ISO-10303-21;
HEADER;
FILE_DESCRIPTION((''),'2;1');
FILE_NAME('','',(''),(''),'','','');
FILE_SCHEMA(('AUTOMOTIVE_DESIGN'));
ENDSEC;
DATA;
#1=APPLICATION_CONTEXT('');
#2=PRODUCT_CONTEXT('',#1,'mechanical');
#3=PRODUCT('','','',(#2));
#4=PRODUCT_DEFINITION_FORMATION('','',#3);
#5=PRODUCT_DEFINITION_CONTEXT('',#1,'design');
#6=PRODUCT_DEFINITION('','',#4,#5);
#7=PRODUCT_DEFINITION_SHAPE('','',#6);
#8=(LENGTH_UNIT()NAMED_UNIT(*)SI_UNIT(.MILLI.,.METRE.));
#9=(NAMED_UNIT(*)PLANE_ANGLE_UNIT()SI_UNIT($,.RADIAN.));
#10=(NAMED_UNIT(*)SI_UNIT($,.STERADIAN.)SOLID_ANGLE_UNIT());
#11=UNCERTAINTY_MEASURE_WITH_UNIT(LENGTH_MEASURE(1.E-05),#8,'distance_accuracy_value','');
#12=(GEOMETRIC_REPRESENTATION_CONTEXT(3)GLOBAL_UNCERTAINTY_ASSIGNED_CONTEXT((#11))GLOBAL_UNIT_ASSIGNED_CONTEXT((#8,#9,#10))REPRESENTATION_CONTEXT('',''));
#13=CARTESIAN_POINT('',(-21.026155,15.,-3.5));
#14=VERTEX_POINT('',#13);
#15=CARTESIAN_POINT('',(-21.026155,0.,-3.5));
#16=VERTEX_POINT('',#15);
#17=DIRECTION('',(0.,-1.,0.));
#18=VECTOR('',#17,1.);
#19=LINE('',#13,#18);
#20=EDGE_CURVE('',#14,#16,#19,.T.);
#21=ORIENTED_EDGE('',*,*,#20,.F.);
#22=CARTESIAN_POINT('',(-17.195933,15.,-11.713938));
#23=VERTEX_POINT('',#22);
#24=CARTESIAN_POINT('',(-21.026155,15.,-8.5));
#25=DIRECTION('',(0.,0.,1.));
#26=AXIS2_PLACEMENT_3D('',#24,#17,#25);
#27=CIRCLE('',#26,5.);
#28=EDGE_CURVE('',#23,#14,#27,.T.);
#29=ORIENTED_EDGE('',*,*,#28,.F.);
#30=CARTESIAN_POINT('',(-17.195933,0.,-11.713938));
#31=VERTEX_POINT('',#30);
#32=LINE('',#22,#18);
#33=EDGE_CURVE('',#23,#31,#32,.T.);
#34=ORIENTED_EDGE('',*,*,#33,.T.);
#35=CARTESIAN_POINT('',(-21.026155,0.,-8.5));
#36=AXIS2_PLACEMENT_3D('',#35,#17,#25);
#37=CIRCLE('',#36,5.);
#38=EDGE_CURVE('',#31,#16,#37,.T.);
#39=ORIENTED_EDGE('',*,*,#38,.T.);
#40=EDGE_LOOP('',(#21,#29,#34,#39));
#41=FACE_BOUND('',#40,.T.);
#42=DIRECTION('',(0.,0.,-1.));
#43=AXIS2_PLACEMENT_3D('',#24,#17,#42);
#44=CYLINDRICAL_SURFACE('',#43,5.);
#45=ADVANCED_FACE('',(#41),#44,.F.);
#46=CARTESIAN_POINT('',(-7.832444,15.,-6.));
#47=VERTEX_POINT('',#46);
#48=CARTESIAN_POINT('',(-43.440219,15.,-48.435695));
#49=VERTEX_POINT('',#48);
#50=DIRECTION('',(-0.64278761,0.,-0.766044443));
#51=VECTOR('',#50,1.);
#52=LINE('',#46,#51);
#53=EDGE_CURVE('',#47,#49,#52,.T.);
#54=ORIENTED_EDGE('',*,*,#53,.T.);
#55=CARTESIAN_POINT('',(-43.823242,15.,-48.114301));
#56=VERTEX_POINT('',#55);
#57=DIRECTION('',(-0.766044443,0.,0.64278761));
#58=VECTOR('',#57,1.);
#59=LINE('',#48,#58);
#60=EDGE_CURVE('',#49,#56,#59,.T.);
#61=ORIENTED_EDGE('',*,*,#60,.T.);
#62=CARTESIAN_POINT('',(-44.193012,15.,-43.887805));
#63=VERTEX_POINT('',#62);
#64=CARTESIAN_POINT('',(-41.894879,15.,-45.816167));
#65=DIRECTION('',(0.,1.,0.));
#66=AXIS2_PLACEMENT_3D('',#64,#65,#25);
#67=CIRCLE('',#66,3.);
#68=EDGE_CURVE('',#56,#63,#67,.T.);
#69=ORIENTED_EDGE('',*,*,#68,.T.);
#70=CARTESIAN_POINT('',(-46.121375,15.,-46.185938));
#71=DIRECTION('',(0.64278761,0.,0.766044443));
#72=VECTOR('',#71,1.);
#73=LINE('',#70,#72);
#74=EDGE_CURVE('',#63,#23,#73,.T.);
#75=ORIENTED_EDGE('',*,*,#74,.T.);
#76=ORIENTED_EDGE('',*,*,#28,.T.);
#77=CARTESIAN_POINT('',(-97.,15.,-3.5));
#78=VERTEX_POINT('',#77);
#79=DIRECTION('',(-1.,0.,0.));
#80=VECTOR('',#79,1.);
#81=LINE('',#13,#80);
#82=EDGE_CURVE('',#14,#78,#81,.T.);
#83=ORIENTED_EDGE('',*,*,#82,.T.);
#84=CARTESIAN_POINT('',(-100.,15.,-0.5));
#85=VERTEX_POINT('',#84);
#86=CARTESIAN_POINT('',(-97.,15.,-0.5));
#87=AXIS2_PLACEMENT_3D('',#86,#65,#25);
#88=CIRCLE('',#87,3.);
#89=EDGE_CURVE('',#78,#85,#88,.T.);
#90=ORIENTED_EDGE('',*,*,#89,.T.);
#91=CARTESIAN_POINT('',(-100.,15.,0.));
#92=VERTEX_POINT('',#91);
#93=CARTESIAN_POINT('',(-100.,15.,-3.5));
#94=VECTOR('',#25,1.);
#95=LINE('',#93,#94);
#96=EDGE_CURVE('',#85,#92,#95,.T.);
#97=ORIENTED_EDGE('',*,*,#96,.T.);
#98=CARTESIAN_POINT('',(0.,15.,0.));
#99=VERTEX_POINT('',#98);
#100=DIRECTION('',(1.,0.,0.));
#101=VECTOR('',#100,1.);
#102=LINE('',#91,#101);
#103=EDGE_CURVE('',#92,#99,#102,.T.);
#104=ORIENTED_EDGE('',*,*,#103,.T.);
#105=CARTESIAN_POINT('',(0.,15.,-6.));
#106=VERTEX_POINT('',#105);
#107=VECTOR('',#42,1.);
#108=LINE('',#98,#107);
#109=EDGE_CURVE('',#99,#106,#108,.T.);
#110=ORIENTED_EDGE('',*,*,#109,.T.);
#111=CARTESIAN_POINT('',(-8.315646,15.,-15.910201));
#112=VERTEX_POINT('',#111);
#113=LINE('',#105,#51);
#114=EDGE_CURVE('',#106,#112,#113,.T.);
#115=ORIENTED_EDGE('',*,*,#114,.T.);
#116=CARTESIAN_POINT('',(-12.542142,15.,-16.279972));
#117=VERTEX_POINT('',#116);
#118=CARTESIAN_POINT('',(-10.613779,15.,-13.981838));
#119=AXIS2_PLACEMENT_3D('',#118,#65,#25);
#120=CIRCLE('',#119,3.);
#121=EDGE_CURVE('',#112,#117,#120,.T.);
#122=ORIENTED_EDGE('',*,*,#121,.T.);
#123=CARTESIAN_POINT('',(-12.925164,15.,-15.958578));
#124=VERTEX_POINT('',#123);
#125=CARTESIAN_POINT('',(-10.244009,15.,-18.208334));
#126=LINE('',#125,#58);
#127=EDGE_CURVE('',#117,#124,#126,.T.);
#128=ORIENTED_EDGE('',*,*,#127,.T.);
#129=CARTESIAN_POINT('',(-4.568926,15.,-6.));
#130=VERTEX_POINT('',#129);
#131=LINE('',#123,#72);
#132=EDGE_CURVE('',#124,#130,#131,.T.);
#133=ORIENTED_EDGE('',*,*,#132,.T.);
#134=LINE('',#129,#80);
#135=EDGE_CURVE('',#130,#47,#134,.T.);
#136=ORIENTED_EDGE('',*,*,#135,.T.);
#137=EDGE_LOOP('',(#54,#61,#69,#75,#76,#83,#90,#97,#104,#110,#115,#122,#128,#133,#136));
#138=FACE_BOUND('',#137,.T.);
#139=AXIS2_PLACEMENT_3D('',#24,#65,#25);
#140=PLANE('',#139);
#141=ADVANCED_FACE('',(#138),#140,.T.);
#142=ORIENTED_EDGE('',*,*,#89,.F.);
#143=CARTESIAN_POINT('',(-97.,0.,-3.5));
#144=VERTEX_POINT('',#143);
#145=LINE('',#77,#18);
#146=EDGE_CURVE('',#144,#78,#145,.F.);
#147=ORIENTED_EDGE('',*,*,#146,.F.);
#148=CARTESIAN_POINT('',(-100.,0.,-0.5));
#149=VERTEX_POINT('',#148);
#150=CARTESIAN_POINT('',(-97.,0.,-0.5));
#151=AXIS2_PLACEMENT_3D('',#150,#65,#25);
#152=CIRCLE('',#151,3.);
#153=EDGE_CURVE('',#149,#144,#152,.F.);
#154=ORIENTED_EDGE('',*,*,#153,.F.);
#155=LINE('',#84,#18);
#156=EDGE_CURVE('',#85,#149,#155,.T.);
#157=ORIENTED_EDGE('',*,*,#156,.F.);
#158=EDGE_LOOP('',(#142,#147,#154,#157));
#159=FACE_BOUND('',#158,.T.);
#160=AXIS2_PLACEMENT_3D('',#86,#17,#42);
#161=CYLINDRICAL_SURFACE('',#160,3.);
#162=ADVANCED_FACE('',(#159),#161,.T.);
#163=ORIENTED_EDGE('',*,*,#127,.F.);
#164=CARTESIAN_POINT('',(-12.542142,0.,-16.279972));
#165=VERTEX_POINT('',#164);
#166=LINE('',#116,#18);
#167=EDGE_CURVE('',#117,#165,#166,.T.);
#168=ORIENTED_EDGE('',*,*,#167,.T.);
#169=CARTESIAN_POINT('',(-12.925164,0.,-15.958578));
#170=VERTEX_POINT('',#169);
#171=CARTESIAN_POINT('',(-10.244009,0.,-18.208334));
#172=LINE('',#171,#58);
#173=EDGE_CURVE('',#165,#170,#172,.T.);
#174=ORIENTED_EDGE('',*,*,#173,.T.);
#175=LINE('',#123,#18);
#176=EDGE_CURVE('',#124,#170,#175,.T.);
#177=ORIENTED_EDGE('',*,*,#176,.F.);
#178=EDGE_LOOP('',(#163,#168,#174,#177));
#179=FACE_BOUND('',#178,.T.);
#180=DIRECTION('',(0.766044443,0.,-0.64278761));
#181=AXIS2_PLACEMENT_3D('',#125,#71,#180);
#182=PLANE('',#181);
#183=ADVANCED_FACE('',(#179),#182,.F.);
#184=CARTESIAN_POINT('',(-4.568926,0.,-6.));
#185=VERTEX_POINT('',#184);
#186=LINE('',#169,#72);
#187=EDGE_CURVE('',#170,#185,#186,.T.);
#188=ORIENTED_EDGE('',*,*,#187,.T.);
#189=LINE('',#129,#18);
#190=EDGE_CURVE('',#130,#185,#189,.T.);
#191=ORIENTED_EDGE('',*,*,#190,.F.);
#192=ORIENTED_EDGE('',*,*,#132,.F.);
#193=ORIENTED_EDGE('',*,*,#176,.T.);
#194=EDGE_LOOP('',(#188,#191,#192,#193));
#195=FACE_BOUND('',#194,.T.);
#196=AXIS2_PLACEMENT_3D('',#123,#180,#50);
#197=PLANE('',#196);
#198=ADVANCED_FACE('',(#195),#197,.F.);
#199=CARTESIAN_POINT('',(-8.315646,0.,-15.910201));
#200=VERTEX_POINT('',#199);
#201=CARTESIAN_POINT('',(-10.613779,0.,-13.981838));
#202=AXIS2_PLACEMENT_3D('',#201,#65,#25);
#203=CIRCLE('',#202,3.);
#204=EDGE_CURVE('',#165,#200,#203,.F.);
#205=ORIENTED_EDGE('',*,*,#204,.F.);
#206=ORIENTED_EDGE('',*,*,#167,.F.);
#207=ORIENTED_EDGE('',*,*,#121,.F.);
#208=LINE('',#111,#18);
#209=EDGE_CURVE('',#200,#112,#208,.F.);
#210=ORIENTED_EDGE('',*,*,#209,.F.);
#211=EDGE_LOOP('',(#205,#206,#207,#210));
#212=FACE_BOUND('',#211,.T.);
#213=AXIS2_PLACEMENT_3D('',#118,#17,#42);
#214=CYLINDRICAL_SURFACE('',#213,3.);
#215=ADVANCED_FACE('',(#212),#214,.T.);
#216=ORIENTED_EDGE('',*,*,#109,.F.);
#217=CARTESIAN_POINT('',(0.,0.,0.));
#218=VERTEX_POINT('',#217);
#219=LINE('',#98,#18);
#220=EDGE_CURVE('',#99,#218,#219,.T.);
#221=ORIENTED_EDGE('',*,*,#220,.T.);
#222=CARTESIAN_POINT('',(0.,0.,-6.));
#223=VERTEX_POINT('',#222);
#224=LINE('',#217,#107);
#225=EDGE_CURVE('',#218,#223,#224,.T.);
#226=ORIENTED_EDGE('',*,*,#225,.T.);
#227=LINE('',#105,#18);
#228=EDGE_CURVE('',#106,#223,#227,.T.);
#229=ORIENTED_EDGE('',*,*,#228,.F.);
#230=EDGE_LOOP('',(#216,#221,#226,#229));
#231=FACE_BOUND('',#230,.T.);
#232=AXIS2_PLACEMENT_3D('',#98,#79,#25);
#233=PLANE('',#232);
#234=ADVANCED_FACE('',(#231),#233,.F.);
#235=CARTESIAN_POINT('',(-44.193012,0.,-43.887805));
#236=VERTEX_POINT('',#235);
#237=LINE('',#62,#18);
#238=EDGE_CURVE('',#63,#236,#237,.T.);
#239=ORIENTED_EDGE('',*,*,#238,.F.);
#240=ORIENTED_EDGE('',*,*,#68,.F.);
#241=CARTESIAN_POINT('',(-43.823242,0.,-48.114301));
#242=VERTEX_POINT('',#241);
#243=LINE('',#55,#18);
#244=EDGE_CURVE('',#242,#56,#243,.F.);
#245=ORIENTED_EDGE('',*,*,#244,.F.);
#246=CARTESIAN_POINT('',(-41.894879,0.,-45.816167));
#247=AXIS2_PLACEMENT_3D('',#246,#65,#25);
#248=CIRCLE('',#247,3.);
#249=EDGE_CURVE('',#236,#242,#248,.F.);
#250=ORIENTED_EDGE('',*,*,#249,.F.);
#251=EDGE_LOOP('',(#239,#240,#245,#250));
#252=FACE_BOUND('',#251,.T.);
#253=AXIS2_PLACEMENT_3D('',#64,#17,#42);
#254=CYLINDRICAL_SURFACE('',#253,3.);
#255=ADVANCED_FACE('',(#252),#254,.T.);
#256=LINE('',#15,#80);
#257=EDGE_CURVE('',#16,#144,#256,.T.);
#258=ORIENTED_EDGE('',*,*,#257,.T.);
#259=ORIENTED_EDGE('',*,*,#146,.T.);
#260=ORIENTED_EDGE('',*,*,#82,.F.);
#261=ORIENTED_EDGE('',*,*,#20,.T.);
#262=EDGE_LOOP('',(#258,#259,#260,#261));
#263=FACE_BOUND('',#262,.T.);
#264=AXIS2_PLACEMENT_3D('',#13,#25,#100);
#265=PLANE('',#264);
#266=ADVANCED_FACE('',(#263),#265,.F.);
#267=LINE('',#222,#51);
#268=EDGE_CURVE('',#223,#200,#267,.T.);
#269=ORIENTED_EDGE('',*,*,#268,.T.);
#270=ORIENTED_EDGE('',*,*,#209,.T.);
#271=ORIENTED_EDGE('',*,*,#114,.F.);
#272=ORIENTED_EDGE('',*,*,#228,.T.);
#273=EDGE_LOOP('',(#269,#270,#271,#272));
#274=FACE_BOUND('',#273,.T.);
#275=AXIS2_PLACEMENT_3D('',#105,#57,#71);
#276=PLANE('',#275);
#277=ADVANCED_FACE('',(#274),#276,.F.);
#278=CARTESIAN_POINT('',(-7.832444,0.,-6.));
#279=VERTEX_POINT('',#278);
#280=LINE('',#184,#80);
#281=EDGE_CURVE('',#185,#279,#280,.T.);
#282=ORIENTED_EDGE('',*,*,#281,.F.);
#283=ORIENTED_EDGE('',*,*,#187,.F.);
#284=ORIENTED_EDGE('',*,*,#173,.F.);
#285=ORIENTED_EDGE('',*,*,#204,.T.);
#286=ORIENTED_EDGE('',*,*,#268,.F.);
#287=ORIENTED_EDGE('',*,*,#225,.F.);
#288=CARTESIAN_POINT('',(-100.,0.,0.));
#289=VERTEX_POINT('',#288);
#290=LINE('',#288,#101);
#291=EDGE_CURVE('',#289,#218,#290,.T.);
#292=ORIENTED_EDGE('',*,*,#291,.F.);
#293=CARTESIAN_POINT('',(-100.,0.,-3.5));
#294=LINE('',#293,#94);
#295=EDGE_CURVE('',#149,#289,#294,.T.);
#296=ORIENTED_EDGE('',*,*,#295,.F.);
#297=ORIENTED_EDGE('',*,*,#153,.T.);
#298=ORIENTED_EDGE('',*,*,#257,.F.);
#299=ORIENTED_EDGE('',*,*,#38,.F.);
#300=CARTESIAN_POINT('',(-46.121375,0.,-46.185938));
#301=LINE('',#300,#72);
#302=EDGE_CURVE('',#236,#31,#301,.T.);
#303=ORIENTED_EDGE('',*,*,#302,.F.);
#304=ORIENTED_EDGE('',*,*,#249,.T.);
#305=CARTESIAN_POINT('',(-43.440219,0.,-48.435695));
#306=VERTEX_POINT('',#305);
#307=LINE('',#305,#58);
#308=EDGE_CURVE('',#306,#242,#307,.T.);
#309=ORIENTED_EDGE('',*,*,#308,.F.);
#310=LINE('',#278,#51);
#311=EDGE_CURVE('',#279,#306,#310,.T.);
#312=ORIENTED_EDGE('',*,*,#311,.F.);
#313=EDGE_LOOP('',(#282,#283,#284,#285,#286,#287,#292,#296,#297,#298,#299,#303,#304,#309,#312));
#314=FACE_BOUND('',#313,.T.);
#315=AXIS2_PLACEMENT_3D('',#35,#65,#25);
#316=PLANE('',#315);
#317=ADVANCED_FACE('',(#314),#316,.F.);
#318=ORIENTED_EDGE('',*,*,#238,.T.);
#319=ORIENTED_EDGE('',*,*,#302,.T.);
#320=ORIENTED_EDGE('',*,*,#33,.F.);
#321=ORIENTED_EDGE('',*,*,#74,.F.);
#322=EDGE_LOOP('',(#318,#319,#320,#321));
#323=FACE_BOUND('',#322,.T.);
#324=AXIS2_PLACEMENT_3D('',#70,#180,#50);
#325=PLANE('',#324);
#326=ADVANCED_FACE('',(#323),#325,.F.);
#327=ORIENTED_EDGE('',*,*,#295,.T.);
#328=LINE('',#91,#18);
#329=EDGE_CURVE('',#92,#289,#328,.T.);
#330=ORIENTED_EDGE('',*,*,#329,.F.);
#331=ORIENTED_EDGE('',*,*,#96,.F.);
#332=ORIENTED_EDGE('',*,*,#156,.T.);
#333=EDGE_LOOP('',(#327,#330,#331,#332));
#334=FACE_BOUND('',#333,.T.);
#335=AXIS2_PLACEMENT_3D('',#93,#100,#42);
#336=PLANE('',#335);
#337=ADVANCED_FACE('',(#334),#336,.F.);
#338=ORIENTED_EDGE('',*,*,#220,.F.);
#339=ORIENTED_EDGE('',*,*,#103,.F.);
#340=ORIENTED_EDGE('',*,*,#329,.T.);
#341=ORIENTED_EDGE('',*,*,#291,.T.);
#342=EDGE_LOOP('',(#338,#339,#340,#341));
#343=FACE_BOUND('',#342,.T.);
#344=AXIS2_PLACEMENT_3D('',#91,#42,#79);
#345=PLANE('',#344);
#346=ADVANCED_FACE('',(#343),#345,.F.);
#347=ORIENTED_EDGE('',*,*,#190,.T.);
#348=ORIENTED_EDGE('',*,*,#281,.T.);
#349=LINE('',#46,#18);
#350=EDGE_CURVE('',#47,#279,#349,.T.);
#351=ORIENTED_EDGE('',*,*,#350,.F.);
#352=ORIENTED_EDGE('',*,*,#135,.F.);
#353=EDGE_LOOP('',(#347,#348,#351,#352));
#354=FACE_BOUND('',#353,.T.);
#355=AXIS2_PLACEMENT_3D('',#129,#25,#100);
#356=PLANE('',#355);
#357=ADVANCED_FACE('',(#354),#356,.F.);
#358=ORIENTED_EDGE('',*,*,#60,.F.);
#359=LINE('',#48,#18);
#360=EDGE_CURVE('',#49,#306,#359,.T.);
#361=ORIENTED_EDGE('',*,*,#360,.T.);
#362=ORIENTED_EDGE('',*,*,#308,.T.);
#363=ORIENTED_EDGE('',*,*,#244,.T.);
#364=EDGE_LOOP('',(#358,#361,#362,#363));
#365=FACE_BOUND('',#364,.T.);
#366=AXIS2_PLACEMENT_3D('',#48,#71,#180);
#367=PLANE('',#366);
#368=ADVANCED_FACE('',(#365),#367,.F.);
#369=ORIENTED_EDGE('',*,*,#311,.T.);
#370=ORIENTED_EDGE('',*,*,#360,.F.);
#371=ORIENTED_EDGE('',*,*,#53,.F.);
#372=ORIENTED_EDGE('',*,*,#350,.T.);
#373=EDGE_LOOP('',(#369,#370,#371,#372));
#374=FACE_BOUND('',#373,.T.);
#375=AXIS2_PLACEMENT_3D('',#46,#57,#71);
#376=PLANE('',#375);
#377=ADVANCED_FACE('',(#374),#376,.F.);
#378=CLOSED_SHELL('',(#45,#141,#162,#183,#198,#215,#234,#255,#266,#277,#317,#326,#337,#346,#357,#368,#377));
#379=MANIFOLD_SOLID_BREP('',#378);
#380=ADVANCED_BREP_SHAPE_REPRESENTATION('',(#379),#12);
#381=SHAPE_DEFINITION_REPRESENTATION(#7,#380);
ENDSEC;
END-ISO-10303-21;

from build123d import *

# Parameters (mm, degrees)
BOSS_EXTRUDE1_DEPTH = 15
FILLET1_R           = 3


with BuildPart() as part:
    # Sketch1 → Boss-Extrude1 (new body)
    with BuildSketch(Plane(origin=(0, 0, 0), x_dir=(1, 0, 0), z_dir=(0, 1, 0))):
        with BuildLine():
            Line((-46.121374994, 46.185937989), (-17.195932558, 11.713938048))
            ThreePointArc((-17.195932558, 11.713938048), (-16.494615838, 6.386908691), (-21.026154773, 3.5))
            Line((-21.026154773, 3.5), (-100, 3.5))
            Line((-100, 3.5), (-100, 0))
            Line((-100, 0), (0, 0))
            Line((0, 0), (0, 6))
            Line((0, 6), (-10.244008888, 18.208334394))
            Line((-10.244008888, 18.208334394), (-12.925164439, 15.958577761))
            Line((-12.925164439, 15.958577761), (-4.568925513, 6))
            Line((-4.568925513, 6), (-7.832443736, 6))
            Line((-7.832443736, 6), (-43.440219443, 48.435694623))
            Line((-43.440219443, 48.435694623), (-46.121374994, 46.185937989))
        make_face()
    extrude(amount=BOSS_EXTRUDE1_DEPTH)

    # Fillet1
    fillet1_edges = [part.edges().sort_by_distance(p)[0] for p in [
        (-10.244008888, 7.5, -18.208334394),
        (-100, 7.5, -3.5),
        (-46.121374994, 7.5, -46.185937989),
    ]]
    fillet(fillet1_edges, radius=FILLET1_R)


solid = part.part
